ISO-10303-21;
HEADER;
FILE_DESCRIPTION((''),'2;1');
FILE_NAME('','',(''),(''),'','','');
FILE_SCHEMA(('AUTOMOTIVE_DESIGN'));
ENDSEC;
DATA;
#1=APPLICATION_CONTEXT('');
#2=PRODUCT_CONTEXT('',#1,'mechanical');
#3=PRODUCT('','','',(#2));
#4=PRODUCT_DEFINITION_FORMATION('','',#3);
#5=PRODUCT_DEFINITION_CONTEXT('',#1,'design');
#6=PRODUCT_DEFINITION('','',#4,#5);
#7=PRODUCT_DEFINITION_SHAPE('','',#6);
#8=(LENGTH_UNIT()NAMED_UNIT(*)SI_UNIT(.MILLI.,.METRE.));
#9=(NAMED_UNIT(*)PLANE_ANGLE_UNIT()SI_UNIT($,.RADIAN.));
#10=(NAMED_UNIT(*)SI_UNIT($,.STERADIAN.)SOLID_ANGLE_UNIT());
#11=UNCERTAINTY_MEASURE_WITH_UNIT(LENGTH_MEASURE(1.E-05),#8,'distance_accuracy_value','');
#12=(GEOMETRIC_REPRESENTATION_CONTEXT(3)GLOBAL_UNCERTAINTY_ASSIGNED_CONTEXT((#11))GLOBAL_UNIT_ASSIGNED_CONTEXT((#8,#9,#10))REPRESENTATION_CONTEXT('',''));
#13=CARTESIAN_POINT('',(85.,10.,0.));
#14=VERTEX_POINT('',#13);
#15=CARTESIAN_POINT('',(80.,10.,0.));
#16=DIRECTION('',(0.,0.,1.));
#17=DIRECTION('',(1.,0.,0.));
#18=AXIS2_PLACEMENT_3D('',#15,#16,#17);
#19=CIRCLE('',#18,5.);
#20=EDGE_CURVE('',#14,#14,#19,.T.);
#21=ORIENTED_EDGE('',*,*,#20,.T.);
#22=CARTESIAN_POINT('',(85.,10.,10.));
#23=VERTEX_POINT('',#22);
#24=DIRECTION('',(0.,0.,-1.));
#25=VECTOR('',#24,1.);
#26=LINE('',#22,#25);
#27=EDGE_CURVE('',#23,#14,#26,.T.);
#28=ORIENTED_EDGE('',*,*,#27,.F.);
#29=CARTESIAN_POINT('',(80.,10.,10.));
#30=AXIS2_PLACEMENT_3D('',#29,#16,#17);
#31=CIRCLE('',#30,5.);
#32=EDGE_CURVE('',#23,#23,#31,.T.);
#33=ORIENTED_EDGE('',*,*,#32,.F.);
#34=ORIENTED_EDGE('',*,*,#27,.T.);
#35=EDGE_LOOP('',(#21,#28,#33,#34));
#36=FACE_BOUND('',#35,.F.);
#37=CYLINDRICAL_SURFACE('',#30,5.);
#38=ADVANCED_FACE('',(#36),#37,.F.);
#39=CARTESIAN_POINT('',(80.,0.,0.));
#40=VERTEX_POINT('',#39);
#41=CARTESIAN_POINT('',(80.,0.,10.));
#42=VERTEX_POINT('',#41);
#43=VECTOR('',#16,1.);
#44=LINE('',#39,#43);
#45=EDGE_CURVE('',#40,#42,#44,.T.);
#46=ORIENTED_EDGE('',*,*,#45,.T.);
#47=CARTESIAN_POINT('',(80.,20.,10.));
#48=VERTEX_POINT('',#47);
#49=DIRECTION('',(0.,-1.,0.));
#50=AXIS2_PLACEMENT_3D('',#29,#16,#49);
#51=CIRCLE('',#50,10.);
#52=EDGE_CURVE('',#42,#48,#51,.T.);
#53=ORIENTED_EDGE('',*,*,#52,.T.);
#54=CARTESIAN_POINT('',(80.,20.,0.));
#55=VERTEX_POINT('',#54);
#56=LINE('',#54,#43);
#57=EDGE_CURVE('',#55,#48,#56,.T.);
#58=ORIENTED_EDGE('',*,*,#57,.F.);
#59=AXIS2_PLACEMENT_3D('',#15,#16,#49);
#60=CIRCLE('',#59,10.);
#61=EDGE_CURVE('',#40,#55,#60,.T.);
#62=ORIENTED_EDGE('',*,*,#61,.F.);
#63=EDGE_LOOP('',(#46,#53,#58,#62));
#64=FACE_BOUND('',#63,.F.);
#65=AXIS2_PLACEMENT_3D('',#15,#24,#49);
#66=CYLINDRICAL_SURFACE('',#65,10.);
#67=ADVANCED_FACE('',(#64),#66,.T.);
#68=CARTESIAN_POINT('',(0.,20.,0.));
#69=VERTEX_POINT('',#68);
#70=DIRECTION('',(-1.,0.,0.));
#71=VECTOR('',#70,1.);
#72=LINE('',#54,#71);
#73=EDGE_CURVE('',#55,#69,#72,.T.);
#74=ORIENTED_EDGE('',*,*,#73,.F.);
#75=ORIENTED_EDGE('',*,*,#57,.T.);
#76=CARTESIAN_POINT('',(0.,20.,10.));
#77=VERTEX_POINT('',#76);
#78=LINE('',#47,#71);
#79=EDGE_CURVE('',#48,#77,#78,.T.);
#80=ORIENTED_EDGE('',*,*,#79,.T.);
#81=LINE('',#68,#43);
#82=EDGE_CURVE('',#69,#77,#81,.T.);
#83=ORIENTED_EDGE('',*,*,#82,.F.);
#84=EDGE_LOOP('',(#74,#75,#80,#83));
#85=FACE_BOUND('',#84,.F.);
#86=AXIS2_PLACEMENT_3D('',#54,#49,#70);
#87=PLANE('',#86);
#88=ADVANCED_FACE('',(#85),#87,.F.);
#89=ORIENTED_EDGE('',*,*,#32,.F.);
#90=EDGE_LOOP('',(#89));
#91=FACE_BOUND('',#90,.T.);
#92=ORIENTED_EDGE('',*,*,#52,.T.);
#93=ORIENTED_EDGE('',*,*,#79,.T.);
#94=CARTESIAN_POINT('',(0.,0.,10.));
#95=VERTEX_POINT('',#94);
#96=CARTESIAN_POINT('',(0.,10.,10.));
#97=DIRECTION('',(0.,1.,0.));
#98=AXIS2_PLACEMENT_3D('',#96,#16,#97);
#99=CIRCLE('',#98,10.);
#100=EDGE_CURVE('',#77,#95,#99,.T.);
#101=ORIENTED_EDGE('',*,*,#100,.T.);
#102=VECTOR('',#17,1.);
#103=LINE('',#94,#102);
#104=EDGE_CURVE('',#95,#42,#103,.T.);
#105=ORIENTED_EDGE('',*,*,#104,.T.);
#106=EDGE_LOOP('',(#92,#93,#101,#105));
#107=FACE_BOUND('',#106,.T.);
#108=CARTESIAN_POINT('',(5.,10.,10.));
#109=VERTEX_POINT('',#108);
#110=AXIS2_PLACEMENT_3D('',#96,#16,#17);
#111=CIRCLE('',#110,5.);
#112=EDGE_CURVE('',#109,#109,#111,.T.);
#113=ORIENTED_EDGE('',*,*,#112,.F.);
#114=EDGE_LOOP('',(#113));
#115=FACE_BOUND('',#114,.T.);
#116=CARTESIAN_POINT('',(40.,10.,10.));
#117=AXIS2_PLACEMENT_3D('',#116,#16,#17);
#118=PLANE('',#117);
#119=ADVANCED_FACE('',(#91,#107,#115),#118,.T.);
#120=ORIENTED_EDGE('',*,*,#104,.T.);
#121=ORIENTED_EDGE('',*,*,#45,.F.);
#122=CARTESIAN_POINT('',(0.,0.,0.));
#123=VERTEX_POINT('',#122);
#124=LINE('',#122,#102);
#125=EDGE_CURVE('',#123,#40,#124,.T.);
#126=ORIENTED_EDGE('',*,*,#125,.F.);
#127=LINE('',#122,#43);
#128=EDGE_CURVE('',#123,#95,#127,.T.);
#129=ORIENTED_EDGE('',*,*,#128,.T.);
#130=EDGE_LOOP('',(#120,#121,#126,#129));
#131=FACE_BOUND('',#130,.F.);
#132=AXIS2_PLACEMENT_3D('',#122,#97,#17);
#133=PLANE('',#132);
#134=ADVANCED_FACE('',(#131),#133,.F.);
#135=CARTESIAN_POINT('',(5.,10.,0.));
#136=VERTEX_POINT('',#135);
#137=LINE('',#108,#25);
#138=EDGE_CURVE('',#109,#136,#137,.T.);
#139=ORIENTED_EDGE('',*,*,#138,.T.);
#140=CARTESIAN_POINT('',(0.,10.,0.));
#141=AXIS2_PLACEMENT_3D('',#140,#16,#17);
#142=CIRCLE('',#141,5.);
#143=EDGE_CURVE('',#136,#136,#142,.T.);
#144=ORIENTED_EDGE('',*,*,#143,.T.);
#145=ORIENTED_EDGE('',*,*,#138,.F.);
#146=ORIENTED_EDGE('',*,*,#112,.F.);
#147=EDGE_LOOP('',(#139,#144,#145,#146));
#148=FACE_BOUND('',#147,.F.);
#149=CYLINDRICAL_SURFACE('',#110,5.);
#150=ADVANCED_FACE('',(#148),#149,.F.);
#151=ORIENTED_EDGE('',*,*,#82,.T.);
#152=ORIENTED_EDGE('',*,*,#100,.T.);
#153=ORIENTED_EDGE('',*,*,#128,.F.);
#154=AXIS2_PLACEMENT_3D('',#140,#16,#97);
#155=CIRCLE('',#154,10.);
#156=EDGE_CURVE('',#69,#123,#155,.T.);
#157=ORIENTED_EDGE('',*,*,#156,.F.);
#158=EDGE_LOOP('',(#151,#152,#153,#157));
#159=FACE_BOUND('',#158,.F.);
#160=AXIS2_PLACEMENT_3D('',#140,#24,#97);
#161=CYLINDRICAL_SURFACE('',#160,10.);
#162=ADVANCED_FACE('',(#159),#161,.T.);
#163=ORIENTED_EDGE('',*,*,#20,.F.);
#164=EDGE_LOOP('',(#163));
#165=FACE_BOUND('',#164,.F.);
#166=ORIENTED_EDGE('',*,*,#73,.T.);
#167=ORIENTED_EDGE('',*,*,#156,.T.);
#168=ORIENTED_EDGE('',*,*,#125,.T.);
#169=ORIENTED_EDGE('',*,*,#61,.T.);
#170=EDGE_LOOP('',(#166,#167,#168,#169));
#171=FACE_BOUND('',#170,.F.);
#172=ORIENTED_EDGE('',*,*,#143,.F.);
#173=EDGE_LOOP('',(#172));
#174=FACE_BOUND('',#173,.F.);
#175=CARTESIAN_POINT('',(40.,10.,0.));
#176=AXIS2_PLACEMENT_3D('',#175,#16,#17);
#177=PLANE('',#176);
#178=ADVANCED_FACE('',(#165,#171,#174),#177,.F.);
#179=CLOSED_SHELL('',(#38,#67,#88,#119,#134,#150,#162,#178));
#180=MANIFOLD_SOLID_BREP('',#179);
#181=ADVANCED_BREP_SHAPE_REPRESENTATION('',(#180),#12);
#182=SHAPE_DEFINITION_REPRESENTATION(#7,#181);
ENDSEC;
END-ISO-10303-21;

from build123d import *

# Parameters (mm, degrees)
F1_DEPTH = 10
F2_R     = 5
F3_DEPTH = 10.001


with BuildPart() as f1:
    # F0 (on Top) → F1 (new body)
    with BuildSketch(Plane.XY):
        with BuildLine():
            ThreePointArc((0, 20), (-10, 10), (0, 0))
            Line((0, 0), (80, 0))
            ThreePointArc((80, 0), (90, 10), (80, 20))
            Line((80, 20), (0, 20))
        make_face()
    extrude(amount=F1_DEPTH)

    # F2 (on face) → F3 (cut, through all)
    with BuildSketch(Plane.XY.offset(10)):
        with Locations((0, 10)):
            Circle(F2_R)
        with Locations((80, 10)):
            Circle(F2_R)
    extrude(amount=-F3_DEPTH, mode=Mode.SUBTRACT)


solid = f1.part
